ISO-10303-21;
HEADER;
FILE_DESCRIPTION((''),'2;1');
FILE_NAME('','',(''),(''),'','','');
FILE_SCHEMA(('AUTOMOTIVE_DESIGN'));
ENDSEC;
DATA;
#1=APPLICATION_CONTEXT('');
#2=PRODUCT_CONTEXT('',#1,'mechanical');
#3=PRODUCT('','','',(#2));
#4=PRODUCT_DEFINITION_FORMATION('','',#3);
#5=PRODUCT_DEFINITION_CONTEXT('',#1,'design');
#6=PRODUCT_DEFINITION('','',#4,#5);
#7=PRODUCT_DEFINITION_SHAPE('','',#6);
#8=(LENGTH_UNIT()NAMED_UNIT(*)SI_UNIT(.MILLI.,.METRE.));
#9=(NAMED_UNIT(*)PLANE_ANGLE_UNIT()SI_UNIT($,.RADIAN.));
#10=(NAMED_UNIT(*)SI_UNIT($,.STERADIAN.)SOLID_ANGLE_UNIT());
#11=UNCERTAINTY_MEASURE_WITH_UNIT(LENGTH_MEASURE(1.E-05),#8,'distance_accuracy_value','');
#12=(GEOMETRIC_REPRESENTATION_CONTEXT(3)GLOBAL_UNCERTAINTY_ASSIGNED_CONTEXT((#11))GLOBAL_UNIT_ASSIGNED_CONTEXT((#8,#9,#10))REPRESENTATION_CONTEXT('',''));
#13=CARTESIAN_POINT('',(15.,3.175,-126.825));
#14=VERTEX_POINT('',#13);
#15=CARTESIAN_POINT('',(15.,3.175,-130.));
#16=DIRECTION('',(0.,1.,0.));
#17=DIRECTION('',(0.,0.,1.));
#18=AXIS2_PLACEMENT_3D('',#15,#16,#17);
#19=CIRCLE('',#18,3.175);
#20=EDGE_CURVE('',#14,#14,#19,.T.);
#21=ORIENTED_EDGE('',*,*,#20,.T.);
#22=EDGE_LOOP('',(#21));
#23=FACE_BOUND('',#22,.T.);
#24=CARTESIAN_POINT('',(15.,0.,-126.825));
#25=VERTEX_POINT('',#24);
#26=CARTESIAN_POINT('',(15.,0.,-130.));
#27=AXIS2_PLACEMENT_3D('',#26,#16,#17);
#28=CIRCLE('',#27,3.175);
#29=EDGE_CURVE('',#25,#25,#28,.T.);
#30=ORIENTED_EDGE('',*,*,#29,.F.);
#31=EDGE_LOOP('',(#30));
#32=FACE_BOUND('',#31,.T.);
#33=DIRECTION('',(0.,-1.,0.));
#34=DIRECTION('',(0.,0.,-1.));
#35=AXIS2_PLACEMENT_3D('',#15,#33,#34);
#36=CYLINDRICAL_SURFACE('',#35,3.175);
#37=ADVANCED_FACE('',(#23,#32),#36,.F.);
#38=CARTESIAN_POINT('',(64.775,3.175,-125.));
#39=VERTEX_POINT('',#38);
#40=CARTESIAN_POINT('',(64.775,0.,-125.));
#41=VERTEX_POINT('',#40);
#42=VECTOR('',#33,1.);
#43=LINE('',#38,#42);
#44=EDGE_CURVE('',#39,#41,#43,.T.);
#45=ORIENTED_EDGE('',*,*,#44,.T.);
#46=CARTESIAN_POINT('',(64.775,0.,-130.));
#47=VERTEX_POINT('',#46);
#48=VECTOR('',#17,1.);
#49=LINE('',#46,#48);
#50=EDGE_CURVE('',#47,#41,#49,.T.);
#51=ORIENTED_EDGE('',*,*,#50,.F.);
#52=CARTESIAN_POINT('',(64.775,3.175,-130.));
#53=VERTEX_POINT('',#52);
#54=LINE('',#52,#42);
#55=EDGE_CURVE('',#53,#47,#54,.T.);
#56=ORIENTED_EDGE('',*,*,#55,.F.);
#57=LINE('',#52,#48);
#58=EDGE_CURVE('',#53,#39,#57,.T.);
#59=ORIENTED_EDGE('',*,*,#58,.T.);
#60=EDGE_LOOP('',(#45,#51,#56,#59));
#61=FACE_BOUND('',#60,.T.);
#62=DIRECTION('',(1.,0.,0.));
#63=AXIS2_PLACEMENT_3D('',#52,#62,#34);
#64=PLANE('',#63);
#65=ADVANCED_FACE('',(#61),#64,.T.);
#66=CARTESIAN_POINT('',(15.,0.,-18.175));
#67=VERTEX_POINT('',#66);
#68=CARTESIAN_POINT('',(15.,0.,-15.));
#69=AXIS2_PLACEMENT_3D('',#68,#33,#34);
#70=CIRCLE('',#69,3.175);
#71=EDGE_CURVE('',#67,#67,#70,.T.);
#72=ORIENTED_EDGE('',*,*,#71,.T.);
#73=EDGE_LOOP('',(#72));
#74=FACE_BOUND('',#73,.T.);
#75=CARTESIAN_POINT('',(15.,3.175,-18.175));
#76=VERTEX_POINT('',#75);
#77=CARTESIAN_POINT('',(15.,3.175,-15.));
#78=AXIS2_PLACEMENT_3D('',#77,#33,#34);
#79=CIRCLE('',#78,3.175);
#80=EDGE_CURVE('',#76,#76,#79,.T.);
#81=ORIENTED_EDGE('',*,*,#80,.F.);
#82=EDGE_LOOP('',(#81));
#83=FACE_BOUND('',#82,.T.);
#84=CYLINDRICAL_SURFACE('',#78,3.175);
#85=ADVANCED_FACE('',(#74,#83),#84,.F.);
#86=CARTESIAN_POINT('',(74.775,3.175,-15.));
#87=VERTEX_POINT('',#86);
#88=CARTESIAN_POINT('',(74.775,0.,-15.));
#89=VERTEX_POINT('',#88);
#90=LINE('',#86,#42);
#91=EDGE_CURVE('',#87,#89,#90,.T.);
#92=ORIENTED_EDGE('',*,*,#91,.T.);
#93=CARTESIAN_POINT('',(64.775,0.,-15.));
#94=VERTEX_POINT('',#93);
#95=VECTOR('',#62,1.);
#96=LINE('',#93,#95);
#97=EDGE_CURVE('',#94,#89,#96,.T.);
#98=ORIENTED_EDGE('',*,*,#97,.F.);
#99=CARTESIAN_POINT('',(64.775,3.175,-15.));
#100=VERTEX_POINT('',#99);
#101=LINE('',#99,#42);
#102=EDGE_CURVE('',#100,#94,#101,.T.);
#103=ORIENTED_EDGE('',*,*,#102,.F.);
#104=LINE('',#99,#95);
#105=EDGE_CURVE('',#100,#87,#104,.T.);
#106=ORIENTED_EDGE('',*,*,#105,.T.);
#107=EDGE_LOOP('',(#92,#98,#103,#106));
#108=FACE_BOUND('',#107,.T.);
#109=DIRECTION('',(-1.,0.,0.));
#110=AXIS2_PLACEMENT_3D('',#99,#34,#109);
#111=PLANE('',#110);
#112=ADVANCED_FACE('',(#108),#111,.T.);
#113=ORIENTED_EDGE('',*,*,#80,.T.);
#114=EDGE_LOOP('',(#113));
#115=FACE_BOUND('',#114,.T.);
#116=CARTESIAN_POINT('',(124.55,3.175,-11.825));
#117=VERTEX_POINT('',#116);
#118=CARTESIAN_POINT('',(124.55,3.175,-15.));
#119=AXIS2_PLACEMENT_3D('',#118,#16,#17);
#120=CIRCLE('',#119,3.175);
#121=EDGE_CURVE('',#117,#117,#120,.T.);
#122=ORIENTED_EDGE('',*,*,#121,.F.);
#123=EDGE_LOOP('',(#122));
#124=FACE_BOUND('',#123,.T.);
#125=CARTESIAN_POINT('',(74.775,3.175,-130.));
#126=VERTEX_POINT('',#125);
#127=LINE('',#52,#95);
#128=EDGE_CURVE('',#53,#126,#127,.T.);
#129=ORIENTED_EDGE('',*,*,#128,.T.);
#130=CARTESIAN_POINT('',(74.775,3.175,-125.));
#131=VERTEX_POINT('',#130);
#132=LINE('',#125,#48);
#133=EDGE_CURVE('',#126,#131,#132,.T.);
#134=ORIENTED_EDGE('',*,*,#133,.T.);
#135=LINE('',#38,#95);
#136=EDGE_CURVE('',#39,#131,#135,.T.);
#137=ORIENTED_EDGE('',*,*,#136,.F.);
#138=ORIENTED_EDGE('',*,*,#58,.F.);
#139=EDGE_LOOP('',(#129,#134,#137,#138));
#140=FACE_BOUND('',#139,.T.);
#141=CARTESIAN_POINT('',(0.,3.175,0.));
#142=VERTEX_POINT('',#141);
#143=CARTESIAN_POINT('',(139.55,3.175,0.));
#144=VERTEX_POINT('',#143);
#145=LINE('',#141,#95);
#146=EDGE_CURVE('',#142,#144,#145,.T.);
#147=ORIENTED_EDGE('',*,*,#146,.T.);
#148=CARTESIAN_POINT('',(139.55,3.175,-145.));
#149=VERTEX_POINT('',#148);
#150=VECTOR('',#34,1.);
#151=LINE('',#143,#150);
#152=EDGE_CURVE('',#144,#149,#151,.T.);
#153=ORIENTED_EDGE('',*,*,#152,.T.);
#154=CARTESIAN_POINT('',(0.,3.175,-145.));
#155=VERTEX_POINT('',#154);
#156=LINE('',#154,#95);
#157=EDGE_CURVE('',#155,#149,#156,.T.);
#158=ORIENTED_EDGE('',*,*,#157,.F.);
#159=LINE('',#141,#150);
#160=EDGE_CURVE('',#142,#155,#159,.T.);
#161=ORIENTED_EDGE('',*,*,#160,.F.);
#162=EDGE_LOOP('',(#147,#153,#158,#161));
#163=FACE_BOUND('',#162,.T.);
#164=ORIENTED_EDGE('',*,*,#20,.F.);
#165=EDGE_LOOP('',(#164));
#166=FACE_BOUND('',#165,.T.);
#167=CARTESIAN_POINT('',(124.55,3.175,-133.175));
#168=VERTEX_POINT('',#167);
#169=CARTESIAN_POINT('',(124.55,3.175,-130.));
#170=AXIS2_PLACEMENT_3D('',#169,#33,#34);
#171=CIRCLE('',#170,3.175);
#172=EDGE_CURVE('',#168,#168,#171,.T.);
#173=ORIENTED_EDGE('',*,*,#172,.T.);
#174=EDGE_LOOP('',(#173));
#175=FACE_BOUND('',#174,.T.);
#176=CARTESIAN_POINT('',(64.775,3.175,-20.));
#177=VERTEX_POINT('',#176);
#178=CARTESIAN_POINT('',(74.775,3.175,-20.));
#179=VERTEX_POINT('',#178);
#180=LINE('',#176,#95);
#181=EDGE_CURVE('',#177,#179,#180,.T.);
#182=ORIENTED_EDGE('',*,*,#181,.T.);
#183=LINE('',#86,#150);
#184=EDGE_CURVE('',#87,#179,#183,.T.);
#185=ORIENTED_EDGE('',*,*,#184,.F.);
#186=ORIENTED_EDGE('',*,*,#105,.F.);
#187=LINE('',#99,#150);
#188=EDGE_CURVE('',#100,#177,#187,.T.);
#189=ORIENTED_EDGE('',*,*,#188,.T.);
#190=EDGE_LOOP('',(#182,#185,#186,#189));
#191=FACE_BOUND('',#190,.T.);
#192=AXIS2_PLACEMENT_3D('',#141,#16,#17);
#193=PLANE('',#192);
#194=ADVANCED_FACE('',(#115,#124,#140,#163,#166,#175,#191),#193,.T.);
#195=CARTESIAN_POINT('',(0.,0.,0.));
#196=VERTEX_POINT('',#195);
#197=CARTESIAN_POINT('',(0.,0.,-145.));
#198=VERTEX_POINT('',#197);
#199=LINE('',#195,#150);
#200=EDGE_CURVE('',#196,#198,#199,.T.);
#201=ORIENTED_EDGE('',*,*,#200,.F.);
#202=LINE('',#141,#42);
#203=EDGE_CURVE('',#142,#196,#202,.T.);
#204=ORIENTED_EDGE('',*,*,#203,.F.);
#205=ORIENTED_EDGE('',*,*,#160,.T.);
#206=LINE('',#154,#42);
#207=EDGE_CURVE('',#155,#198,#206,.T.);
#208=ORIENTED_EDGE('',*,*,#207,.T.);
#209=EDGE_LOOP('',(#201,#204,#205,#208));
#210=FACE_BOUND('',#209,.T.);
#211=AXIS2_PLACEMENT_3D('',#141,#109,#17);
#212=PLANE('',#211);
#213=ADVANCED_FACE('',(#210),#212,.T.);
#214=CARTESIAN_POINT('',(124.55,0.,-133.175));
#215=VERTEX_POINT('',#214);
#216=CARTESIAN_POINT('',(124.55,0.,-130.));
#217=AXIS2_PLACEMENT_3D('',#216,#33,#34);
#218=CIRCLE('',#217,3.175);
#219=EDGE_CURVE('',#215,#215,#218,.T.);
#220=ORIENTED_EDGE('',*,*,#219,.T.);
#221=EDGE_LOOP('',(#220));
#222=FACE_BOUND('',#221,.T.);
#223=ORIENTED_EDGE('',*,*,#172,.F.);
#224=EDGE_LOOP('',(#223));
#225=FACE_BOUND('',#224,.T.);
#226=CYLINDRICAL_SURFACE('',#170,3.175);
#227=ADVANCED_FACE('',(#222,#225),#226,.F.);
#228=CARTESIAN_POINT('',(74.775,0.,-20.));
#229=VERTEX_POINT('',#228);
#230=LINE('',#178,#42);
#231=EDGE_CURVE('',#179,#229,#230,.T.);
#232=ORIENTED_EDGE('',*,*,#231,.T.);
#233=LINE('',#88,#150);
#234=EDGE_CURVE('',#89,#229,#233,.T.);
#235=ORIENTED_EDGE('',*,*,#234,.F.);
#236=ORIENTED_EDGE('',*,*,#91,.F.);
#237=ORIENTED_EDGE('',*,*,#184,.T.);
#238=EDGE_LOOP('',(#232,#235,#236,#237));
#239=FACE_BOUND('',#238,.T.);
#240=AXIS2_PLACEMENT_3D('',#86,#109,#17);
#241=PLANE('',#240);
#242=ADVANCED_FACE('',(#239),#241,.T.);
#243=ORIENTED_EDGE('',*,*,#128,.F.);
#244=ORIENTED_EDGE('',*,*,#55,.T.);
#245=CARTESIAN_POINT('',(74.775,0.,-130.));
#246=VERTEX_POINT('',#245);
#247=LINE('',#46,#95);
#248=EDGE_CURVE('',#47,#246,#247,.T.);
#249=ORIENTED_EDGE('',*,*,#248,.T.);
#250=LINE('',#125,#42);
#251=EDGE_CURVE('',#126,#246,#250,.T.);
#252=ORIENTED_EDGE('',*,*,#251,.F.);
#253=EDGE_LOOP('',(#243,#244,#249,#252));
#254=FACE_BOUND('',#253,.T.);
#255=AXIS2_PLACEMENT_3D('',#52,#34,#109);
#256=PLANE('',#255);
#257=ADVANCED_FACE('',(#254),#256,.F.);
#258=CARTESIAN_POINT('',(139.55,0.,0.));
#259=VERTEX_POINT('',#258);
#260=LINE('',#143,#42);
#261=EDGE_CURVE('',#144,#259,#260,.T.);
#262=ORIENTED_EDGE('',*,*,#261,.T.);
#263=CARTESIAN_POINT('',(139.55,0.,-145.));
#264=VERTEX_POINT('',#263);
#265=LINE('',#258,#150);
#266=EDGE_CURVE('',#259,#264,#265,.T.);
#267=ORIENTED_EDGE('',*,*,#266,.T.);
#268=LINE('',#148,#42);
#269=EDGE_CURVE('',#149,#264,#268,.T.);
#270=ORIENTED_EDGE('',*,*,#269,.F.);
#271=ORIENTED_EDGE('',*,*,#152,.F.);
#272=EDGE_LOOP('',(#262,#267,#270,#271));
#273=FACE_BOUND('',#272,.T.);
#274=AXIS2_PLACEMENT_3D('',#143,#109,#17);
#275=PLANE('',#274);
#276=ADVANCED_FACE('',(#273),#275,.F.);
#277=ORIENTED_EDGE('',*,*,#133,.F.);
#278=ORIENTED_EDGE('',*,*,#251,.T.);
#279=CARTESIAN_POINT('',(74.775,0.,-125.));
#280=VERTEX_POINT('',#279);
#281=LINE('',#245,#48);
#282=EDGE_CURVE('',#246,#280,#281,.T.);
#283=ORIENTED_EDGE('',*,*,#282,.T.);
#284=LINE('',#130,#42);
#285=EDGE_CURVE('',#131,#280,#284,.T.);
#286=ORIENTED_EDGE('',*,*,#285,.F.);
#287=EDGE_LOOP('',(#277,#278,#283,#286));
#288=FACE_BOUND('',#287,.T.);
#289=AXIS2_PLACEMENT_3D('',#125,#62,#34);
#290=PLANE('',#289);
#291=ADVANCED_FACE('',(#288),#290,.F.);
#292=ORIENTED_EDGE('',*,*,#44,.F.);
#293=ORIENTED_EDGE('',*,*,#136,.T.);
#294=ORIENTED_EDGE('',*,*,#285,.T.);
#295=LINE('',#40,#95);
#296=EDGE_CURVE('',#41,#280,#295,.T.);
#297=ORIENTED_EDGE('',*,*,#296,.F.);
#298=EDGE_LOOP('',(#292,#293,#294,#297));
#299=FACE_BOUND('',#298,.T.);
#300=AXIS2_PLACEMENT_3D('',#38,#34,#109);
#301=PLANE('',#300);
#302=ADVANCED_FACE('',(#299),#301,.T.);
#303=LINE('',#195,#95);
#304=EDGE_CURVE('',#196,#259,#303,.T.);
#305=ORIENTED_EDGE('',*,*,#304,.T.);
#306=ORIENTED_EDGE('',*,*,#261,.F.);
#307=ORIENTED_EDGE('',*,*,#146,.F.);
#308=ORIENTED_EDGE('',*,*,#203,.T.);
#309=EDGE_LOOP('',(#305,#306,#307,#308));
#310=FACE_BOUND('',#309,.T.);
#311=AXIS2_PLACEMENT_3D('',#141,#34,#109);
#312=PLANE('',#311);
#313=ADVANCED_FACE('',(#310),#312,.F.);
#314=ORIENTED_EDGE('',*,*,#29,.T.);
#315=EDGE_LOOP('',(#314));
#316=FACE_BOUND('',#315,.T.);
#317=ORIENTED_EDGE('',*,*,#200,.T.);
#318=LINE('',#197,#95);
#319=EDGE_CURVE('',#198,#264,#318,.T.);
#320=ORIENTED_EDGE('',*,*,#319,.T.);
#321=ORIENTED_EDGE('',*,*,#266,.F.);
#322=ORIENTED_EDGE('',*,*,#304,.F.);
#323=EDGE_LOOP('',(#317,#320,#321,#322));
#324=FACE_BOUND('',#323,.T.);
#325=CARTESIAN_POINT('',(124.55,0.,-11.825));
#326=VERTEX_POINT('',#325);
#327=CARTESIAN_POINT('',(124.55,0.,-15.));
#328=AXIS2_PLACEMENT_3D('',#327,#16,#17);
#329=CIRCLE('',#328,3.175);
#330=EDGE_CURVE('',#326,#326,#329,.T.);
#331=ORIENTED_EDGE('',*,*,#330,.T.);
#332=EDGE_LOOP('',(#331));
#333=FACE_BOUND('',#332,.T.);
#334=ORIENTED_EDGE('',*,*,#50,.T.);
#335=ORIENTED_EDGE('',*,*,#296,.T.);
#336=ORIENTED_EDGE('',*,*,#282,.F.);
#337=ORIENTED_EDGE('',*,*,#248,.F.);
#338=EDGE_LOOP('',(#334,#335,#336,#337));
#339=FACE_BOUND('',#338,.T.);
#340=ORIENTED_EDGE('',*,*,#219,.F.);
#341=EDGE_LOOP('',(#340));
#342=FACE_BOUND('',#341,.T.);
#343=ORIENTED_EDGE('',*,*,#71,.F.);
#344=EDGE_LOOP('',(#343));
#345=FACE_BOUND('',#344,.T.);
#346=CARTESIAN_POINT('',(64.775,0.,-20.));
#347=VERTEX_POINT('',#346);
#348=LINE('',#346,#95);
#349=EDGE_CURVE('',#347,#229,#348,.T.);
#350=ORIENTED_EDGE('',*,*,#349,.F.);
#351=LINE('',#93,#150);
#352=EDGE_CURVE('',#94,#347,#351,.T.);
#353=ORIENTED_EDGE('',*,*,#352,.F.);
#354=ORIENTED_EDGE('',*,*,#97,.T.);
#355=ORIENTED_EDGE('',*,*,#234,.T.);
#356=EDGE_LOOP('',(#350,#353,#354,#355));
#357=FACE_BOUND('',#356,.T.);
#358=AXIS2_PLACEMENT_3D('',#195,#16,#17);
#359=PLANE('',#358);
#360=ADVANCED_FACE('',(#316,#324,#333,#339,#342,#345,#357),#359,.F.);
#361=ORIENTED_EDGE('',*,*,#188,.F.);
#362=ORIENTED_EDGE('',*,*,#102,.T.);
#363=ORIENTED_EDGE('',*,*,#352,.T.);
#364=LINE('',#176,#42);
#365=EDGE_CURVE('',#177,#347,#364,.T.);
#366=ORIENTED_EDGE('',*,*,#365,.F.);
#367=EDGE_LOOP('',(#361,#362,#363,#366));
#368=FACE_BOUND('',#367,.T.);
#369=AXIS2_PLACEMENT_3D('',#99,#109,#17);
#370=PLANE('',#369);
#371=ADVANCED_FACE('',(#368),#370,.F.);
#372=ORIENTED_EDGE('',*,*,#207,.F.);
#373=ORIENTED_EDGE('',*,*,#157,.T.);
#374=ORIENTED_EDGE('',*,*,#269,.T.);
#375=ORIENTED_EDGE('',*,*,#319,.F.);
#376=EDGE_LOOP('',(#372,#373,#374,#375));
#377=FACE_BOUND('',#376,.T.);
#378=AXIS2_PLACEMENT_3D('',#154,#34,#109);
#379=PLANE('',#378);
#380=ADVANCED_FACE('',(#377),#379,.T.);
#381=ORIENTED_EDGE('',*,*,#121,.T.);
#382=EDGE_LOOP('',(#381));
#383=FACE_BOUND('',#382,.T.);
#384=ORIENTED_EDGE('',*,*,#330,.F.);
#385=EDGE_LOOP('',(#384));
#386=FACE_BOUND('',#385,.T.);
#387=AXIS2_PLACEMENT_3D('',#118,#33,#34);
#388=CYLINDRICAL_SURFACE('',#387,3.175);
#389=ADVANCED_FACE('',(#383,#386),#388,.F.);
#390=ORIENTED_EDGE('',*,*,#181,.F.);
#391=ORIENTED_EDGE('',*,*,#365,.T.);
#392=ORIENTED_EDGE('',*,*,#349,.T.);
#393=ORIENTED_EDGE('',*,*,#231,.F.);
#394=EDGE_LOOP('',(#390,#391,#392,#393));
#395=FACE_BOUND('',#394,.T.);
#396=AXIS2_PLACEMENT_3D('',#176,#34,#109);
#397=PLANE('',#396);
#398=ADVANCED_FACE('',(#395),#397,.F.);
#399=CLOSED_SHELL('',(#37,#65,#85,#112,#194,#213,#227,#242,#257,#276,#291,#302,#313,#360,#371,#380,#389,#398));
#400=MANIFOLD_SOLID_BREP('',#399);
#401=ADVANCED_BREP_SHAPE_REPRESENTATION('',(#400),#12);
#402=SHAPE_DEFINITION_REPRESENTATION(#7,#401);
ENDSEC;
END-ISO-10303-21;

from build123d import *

# Parameters (mm, degrees)
SKETCH1_W           = 139.55
SKETCH1_H           = 145
SKETCH1_R           = 3.175
SKETCH1_W_2         = 10
SKETCH1_H_2         = 5
BOSS_EXTRUDE2_DEPTH = 3.175


with BuildPart() as part:
    # Sketch1 → Boss-Extrude2 (new body)
    with BuildSketch(Plane(origin=(0, 0, 0), x_dir=(1, 0, 0), z_dir=(0, 1, 0))):
        with Locations((69.775, 72.5)):
            Rectangle(SKETCH1_W, SKETCH1_H)
        with Locations(Location((15, 130, 0), (0, 0, 270))):
            Circle(SKETCH1_R, mode=Mode.SUBTRACT)
        with Locations(Location((124.55, 130, 0), (0, 0, 90))):
            Circle(SKETCH1_R, mode=Mode.SUBTRACT)
        with Locations(Location((15, 15, 0), (0, 0, 90))):
            Circle(SKETCH1_R, mode=Mode.SUBTRACT)
        with Locations(Location((124.55, 15, 0), (0, 0, 270))):
            Circle(SKETCH1_R, mode=Mode.SUBTRACT)
        with Locations((69.775, 127.5)):
            Rectangle(SKETCH1_W_2, SKETCH1_H_2, mode=Mode.SUBTRACT)
        with Locations((69.775, 17.5)):
            Rectangle(SKETCH1_W_2, SKETCH1_H_2, mode=Mode.SUBTRACT)
    extrude(amount=BOSS_EXTRUDE2_DEPTH)


solid = part.part
